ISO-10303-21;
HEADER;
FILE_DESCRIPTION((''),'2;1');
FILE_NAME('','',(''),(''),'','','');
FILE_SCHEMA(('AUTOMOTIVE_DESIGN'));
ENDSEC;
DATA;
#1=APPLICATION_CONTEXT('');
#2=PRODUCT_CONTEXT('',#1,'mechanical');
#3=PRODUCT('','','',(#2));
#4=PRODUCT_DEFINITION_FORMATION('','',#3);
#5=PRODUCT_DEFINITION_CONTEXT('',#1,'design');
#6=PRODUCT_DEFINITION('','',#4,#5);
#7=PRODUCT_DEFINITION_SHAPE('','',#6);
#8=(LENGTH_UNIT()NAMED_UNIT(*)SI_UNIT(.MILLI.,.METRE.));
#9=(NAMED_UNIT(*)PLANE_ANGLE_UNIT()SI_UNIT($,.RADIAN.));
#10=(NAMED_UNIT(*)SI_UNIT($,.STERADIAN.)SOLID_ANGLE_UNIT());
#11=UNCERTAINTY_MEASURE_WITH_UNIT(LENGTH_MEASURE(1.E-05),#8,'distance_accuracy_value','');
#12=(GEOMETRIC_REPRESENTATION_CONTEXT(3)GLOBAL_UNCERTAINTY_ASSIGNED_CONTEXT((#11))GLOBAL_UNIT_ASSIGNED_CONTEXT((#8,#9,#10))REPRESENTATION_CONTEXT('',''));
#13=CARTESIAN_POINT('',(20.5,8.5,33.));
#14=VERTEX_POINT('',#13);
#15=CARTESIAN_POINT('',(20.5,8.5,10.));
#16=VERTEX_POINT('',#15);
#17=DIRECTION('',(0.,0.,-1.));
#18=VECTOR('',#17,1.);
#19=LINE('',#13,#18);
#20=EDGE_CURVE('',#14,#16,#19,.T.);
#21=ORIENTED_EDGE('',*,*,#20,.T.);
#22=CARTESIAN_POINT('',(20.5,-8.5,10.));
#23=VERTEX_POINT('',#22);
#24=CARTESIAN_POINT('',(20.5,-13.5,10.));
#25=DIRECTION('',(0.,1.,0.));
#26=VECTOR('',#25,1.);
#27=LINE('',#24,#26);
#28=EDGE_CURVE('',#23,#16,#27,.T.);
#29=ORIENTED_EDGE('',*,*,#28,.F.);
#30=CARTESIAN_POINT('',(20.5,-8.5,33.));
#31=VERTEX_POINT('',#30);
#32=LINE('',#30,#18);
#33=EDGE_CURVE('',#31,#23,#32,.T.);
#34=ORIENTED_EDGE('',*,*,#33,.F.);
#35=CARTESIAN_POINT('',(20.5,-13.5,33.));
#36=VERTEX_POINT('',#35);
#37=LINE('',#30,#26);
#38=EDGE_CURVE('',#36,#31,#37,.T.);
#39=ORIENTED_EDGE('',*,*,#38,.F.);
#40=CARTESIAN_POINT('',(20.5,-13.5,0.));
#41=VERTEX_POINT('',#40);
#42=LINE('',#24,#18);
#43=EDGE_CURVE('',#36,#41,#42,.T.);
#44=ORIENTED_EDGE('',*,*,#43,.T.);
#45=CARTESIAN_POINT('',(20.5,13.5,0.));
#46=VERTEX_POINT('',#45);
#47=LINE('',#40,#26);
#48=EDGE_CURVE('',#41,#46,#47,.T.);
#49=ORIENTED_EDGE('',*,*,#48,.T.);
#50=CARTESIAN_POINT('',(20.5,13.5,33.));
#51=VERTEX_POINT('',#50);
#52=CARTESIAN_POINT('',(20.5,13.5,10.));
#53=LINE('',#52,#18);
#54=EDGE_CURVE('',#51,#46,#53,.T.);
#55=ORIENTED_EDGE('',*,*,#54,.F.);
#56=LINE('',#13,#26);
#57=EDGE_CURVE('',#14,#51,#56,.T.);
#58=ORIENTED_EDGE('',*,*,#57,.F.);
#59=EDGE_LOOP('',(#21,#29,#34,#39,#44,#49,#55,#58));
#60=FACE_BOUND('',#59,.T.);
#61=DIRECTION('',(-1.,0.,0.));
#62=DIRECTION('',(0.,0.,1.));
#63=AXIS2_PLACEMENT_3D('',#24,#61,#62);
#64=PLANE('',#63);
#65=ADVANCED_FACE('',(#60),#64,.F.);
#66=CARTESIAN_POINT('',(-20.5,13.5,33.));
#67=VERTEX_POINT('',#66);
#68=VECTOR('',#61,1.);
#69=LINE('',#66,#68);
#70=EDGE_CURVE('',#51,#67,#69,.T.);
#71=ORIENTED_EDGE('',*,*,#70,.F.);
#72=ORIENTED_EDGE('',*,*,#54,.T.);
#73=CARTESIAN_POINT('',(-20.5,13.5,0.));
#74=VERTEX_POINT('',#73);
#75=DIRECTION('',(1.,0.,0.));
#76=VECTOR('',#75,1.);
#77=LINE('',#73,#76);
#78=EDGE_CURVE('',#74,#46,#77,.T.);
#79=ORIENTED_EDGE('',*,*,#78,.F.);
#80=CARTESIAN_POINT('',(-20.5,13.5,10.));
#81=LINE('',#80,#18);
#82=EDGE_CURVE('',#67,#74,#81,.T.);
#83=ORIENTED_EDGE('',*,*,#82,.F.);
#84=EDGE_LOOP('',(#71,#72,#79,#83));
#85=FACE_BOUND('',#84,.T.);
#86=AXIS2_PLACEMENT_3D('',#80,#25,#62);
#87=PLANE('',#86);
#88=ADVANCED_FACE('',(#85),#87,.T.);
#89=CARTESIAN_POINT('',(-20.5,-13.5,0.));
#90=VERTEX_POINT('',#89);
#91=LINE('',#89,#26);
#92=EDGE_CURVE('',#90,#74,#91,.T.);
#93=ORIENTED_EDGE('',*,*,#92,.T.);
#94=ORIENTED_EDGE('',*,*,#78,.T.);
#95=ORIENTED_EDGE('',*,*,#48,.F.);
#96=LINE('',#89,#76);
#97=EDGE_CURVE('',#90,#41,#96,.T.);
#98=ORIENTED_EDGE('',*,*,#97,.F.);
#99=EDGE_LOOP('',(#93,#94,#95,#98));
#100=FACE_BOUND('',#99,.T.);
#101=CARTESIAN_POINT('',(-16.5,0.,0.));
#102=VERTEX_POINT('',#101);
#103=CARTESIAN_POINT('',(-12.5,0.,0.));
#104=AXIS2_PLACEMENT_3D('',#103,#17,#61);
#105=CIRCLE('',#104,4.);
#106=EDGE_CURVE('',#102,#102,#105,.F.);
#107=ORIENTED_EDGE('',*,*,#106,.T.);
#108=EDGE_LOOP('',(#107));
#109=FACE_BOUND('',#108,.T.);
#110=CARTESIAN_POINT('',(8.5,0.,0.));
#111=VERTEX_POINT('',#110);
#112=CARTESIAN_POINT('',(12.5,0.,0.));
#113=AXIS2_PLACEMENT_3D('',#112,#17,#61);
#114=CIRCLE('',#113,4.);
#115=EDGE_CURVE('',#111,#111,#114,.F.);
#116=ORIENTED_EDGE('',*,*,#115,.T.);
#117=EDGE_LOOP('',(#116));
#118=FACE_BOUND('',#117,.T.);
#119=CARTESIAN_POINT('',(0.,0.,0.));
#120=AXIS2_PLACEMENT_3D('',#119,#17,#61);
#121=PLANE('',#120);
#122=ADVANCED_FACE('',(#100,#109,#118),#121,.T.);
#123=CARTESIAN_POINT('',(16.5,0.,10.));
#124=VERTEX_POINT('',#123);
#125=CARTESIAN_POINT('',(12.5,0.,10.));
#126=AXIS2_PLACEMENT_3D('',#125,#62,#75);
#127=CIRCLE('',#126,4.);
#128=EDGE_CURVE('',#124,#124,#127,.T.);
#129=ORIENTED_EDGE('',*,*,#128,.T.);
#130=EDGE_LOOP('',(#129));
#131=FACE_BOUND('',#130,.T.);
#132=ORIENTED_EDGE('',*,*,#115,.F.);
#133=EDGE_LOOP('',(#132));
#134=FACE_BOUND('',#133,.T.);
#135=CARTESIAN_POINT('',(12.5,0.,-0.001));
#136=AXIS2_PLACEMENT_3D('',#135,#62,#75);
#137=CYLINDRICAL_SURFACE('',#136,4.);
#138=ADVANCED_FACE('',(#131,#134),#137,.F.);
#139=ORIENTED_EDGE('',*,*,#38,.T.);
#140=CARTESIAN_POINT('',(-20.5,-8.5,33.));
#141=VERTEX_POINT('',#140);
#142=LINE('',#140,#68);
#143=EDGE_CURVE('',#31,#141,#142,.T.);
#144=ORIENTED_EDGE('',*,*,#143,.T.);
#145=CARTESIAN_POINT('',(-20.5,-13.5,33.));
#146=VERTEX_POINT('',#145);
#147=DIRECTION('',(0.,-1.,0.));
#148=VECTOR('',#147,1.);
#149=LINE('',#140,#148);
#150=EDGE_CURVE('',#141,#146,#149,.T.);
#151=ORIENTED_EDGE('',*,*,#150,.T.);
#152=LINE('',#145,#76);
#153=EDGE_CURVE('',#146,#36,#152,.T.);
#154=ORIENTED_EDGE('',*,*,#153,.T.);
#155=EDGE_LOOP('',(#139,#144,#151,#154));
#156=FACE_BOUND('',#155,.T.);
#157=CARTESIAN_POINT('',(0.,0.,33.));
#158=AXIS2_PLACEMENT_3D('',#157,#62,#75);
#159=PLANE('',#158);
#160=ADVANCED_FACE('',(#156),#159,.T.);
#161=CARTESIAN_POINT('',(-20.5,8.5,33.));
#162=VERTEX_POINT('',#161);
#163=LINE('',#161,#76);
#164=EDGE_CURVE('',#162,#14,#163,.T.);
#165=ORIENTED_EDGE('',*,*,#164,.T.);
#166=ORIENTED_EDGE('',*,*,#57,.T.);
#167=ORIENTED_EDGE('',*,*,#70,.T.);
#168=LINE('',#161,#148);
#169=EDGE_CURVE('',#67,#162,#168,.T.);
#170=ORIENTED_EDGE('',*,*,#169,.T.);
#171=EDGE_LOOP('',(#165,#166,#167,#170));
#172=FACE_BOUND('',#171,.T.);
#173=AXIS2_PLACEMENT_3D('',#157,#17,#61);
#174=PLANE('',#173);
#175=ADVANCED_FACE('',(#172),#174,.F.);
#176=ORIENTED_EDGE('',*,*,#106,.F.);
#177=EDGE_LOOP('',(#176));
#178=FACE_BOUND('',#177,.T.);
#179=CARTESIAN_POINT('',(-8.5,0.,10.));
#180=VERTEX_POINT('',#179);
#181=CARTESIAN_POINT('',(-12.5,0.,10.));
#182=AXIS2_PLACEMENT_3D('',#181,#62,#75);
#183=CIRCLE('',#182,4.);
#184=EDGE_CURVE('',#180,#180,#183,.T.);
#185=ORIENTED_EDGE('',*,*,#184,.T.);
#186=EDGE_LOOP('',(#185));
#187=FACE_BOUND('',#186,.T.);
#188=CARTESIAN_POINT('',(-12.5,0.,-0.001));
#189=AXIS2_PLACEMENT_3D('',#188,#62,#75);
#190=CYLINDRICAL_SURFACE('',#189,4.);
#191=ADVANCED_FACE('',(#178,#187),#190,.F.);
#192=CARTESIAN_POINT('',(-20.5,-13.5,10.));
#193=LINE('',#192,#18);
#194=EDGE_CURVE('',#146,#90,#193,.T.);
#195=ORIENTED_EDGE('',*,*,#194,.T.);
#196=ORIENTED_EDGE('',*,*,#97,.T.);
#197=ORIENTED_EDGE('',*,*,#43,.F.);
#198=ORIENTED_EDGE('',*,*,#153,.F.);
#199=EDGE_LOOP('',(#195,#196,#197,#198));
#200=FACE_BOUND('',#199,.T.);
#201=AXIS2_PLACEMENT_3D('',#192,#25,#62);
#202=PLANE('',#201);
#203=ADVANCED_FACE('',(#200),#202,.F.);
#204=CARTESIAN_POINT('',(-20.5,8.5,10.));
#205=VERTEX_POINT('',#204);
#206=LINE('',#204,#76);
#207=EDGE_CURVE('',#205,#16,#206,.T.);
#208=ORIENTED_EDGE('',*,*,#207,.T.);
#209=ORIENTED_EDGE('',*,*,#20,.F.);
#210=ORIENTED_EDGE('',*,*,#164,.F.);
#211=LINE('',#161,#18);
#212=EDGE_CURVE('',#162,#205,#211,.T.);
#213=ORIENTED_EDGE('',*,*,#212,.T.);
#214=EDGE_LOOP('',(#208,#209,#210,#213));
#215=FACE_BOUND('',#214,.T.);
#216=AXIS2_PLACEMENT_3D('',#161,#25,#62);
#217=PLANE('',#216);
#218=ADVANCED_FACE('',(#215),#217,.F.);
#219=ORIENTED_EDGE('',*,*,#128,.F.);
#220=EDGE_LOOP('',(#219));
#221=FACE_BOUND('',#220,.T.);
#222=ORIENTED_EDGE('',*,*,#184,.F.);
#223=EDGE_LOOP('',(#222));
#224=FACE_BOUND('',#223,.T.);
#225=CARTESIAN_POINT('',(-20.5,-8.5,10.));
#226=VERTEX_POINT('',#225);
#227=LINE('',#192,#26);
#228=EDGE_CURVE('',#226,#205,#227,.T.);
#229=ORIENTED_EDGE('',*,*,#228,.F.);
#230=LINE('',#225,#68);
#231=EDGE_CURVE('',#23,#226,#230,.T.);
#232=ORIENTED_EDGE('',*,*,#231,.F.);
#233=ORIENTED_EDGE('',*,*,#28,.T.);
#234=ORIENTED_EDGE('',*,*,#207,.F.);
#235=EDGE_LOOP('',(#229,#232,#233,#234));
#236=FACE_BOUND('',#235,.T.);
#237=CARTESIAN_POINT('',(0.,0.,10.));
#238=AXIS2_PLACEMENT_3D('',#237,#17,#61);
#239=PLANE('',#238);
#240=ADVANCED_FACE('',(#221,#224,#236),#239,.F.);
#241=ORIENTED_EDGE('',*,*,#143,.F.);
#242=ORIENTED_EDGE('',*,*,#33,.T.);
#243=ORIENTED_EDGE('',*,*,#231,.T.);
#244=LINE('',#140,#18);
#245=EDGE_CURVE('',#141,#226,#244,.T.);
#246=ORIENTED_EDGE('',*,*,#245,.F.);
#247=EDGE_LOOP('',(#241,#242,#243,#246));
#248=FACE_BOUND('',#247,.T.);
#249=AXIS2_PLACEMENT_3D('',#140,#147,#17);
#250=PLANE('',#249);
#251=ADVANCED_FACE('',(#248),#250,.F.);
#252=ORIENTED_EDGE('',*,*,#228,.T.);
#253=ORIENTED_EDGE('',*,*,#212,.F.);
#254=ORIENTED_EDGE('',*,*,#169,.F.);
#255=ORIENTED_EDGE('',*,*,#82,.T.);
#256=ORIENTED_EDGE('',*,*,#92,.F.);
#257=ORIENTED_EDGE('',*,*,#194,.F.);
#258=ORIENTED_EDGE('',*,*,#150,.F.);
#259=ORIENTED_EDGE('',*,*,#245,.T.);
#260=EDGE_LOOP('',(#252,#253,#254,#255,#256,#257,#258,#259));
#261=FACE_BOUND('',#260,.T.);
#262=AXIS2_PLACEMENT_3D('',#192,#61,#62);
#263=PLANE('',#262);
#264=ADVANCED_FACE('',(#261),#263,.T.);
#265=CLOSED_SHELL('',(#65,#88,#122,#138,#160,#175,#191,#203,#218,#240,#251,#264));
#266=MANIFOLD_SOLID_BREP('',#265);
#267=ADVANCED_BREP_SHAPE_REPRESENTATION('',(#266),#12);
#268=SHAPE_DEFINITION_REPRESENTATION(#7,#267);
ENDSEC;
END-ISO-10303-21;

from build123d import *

# Parameters (mm, degrees)
SKETCH1_W           = 41
SKETCH1_H           = 27
BOSS_EXTRUDE1_DEPTH = 10
SKETCH2_W           = 41
SKETCH2_H           = 5
BOSS_EXTRUDE2_DEPTH = 23
CUT_EXTRUDE1_REACH  = 35.638
SKETCH3_R           = 4


with BuildPart() as part:
    # Sketch1 → Boss-Extrude1 (new body)
    with BuildSketch(Plane.XY):
        Rectangle(SKETCH1_W, SKETCH1_H)
    extrude(amount=BOSS_EXTRUDE1_DEPTH)

    # Sketch2 → Boss-Extrude2 (add)
    with BuildSketch(Plane.XY.offset(10)):
        with Locations((0, 11)):
            Rectangle(SKETCH2_W, SKETCH2_H)
        with Locations((0, -11)):
            Rectangle(SKETCH2_W, SKETCH2_H)
    extrude(amount=BOSS_EXTRUDE2_DEPTH)

    # Sketch3 → Cut-Extrude1 (cut, up to next)
    with BuildSketch(Plane.XY.offset(10), mode=Mode.PRIVATE) as cut_extrude1_sk1:
        with Locations((-12.5, 0)):
            Circle(SKETCH3_R)
    cut_extrude1_tool1 = extrude(cut_extrude1_sk1.sketch, amount=-CUT_EXTRUDE1_REACH, mode=Mode.PRIVATE) & part.part
    # Sketch3 → Cut-Extrude1 (cut, up to next)
    with BuildSketch(Plane.XY.offset(10), mode=Mode.PRIVATE) as cut_extrude1_sk2:
        with Locations((12.5, 0)):
            Circle(SKETCH3_R)
    cut_extrude1_tool2 = extrude(cut_extrude1_sk2.sketch, amount=-CUT_EXTRUDE1_REACH, mode=Mode.PRIVATE) & part.part
    add(cut_extrude1_tool1.solids().sort_by_distance((-12.5, 0, 10))[0], mode=Mode.SUBTRACT)
    add(cut_extrude1_tool2.solids().sort_by_distance((12.5, 0, 10))[0], mode=Mode.SUBTRACT)


solid = part.part
